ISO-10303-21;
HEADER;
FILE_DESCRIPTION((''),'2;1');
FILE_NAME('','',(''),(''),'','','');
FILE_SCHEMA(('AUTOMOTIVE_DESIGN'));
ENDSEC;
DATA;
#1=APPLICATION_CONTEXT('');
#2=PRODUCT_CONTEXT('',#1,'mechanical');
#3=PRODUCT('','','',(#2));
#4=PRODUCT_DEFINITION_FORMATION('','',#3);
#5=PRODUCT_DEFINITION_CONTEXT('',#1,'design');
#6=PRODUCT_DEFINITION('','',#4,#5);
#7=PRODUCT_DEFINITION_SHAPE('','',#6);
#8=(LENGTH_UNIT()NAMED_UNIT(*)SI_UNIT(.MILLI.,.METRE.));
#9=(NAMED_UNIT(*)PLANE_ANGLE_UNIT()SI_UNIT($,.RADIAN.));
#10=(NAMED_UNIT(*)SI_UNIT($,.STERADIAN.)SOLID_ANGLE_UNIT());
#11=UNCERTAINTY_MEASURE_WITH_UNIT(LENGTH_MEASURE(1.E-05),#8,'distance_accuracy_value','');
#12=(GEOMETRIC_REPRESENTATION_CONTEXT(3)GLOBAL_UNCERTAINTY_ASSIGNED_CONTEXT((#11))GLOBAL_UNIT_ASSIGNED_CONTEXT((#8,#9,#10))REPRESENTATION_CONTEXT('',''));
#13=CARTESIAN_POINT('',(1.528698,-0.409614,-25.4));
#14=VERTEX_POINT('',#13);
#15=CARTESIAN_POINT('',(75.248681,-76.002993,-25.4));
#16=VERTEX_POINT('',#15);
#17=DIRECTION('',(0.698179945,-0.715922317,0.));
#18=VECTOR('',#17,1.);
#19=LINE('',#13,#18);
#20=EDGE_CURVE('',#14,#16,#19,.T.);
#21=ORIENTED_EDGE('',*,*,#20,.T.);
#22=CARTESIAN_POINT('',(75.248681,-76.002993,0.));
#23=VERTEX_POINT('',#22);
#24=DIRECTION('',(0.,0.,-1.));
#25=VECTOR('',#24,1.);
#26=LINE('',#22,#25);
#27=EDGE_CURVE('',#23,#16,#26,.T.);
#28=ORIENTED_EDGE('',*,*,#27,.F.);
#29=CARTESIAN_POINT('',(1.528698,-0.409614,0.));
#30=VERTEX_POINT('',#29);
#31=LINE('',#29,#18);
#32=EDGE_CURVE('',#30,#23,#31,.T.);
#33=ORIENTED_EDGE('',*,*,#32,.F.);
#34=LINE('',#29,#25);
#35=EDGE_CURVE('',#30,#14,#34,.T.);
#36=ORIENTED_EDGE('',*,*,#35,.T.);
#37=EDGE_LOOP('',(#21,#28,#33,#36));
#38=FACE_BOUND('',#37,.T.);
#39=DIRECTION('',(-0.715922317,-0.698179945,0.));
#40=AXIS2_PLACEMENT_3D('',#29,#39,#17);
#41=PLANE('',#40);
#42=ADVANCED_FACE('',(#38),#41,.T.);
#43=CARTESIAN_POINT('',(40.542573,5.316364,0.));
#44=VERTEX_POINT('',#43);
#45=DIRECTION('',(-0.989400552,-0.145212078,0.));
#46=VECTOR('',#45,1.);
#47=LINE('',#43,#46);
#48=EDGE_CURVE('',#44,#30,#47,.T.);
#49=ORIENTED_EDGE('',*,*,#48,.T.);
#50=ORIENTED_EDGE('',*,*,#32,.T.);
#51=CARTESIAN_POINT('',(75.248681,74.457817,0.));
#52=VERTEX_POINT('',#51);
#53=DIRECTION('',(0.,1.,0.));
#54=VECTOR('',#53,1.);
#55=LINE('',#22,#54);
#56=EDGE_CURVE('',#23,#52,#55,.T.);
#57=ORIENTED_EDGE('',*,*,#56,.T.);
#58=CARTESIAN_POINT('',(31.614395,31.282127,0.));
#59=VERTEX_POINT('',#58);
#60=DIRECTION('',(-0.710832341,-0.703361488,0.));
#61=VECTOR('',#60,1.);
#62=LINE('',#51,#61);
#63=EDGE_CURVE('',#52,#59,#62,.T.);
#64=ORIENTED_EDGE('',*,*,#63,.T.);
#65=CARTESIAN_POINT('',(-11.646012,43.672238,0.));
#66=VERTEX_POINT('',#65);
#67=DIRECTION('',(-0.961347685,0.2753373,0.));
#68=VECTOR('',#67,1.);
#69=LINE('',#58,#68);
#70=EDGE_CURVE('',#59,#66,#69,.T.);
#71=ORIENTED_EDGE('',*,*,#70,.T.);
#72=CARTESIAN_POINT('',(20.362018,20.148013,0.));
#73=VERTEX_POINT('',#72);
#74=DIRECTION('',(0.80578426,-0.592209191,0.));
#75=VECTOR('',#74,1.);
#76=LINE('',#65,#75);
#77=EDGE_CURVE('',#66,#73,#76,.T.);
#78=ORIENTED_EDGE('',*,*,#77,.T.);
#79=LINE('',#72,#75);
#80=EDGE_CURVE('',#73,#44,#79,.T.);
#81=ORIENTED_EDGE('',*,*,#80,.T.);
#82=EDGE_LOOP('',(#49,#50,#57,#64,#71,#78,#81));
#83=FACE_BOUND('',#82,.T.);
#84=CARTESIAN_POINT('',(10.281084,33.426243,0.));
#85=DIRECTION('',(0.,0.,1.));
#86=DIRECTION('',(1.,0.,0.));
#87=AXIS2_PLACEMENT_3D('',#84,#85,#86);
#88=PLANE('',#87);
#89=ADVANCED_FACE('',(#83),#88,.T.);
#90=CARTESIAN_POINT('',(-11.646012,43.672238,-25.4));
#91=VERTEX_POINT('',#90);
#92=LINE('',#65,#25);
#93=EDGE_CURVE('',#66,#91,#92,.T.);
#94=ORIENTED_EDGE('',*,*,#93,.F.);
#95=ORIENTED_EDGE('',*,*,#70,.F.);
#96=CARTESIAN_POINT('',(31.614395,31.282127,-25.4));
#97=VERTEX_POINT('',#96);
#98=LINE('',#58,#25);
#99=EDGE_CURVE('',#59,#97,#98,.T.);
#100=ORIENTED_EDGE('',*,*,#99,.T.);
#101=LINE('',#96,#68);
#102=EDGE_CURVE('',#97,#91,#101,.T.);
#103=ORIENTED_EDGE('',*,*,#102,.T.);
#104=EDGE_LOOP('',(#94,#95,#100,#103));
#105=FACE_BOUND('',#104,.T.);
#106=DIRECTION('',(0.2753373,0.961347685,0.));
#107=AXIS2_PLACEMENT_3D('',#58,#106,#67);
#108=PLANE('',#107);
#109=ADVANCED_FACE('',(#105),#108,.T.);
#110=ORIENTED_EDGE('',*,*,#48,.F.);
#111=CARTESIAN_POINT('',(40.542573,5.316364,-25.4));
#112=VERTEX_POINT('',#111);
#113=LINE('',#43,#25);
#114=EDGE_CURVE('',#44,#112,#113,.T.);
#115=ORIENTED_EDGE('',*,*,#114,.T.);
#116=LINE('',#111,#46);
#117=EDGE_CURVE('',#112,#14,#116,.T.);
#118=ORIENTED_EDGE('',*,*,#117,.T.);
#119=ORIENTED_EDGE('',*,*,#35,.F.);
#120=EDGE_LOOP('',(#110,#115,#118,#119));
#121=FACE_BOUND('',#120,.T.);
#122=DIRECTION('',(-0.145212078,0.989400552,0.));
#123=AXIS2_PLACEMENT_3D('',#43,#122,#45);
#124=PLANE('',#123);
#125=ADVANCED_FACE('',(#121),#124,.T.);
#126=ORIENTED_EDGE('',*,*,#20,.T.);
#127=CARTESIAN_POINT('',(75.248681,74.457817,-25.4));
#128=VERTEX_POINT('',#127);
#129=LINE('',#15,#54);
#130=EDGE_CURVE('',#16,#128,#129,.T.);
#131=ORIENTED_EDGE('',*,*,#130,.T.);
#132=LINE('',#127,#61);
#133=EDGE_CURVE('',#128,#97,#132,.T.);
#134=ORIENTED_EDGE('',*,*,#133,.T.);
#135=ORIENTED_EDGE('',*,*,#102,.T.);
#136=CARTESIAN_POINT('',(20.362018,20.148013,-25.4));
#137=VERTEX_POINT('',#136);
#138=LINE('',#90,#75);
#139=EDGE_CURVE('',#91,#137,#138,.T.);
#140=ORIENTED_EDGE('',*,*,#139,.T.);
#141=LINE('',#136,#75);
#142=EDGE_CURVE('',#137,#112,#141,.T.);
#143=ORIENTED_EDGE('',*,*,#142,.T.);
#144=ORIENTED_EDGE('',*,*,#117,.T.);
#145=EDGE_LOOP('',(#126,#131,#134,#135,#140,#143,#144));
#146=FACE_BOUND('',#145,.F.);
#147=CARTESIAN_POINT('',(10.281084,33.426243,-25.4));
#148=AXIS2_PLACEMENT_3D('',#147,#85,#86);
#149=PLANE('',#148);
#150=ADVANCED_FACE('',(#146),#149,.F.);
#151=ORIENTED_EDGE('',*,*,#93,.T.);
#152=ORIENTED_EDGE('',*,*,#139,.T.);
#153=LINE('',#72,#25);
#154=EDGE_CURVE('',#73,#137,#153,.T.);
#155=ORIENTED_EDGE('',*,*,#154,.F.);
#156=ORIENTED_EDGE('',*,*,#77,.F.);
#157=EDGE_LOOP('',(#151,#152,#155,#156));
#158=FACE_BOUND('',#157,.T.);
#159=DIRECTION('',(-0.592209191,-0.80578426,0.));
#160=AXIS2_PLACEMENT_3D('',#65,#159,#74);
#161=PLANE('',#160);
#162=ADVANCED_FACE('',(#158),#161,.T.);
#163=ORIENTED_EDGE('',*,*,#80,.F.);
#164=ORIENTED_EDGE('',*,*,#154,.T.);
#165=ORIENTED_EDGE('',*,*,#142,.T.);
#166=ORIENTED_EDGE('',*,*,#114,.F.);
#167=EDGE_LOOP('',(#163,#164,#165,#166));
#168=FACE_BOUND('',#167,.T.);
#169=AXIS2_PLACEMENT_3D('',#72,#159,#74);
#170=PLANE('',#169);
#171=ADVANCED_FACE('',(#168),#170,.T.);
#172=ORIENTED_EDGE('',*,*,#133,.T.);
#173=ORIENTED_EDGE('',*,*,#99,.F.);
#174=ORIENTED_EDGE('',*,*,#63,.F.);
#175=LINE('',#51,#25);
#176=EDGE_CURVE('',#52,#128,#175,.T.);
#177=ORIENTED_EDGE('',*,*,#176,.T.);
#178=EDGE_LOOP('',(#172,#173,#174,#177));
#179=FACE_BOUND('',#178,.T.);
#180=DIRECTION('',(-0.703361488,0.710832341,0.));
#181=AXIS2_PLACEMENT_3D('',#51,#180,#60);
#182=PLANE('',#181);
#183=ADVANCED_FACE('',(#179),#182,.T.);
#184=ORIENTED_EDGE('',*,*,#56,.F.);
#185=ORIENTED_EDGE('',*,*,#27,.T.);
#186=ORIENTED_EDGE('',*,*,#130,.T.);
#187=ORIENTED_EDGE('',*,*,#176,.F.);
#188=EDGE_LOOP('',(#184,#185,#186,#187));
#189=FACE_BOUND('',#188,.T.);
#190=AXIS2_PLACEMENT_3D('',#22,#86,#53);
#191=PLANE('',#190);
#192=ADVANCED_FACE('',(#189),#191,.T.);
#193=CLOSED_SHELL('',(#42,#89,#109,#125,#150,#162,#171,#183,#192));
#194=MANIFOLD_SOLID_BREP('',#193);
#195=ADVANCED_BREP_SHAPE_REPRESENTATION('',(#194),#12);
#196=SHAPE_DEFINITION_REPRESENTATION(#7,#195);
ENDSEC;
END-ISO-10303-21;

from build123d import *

# Parameters (mm, degrees)
F1_DEPTH = 25.4


with BuildPart() as f1:
    # F0 (on Top) → F1 (new body)
    with BuildSketch(Plane.XY):
        Polygon((-11.6460118443, 43.6722375453), (20.3620182707, 20.1480132985), (31.6143950059, 31.2821274658), align=None)
        Polygon((75.2486810088, 74.4578167796), (31.6143950059, 31.2821274658), (54.9272783101, 24.60514009), (40.5425727367, 5.3163636476), (1.5286983689, -0.4096143239), (75.2486810088, -76.0029926896), align=None)
        Polygon((31.6143950059, 31.2821274658), (20.3620182707, 20.1480132985), (40.5425727367, 5.3163636476), (54.9272783101, 24.60514009), align=None)
    extrude(amount=-F1_DEPTH)


solid = f1.part
